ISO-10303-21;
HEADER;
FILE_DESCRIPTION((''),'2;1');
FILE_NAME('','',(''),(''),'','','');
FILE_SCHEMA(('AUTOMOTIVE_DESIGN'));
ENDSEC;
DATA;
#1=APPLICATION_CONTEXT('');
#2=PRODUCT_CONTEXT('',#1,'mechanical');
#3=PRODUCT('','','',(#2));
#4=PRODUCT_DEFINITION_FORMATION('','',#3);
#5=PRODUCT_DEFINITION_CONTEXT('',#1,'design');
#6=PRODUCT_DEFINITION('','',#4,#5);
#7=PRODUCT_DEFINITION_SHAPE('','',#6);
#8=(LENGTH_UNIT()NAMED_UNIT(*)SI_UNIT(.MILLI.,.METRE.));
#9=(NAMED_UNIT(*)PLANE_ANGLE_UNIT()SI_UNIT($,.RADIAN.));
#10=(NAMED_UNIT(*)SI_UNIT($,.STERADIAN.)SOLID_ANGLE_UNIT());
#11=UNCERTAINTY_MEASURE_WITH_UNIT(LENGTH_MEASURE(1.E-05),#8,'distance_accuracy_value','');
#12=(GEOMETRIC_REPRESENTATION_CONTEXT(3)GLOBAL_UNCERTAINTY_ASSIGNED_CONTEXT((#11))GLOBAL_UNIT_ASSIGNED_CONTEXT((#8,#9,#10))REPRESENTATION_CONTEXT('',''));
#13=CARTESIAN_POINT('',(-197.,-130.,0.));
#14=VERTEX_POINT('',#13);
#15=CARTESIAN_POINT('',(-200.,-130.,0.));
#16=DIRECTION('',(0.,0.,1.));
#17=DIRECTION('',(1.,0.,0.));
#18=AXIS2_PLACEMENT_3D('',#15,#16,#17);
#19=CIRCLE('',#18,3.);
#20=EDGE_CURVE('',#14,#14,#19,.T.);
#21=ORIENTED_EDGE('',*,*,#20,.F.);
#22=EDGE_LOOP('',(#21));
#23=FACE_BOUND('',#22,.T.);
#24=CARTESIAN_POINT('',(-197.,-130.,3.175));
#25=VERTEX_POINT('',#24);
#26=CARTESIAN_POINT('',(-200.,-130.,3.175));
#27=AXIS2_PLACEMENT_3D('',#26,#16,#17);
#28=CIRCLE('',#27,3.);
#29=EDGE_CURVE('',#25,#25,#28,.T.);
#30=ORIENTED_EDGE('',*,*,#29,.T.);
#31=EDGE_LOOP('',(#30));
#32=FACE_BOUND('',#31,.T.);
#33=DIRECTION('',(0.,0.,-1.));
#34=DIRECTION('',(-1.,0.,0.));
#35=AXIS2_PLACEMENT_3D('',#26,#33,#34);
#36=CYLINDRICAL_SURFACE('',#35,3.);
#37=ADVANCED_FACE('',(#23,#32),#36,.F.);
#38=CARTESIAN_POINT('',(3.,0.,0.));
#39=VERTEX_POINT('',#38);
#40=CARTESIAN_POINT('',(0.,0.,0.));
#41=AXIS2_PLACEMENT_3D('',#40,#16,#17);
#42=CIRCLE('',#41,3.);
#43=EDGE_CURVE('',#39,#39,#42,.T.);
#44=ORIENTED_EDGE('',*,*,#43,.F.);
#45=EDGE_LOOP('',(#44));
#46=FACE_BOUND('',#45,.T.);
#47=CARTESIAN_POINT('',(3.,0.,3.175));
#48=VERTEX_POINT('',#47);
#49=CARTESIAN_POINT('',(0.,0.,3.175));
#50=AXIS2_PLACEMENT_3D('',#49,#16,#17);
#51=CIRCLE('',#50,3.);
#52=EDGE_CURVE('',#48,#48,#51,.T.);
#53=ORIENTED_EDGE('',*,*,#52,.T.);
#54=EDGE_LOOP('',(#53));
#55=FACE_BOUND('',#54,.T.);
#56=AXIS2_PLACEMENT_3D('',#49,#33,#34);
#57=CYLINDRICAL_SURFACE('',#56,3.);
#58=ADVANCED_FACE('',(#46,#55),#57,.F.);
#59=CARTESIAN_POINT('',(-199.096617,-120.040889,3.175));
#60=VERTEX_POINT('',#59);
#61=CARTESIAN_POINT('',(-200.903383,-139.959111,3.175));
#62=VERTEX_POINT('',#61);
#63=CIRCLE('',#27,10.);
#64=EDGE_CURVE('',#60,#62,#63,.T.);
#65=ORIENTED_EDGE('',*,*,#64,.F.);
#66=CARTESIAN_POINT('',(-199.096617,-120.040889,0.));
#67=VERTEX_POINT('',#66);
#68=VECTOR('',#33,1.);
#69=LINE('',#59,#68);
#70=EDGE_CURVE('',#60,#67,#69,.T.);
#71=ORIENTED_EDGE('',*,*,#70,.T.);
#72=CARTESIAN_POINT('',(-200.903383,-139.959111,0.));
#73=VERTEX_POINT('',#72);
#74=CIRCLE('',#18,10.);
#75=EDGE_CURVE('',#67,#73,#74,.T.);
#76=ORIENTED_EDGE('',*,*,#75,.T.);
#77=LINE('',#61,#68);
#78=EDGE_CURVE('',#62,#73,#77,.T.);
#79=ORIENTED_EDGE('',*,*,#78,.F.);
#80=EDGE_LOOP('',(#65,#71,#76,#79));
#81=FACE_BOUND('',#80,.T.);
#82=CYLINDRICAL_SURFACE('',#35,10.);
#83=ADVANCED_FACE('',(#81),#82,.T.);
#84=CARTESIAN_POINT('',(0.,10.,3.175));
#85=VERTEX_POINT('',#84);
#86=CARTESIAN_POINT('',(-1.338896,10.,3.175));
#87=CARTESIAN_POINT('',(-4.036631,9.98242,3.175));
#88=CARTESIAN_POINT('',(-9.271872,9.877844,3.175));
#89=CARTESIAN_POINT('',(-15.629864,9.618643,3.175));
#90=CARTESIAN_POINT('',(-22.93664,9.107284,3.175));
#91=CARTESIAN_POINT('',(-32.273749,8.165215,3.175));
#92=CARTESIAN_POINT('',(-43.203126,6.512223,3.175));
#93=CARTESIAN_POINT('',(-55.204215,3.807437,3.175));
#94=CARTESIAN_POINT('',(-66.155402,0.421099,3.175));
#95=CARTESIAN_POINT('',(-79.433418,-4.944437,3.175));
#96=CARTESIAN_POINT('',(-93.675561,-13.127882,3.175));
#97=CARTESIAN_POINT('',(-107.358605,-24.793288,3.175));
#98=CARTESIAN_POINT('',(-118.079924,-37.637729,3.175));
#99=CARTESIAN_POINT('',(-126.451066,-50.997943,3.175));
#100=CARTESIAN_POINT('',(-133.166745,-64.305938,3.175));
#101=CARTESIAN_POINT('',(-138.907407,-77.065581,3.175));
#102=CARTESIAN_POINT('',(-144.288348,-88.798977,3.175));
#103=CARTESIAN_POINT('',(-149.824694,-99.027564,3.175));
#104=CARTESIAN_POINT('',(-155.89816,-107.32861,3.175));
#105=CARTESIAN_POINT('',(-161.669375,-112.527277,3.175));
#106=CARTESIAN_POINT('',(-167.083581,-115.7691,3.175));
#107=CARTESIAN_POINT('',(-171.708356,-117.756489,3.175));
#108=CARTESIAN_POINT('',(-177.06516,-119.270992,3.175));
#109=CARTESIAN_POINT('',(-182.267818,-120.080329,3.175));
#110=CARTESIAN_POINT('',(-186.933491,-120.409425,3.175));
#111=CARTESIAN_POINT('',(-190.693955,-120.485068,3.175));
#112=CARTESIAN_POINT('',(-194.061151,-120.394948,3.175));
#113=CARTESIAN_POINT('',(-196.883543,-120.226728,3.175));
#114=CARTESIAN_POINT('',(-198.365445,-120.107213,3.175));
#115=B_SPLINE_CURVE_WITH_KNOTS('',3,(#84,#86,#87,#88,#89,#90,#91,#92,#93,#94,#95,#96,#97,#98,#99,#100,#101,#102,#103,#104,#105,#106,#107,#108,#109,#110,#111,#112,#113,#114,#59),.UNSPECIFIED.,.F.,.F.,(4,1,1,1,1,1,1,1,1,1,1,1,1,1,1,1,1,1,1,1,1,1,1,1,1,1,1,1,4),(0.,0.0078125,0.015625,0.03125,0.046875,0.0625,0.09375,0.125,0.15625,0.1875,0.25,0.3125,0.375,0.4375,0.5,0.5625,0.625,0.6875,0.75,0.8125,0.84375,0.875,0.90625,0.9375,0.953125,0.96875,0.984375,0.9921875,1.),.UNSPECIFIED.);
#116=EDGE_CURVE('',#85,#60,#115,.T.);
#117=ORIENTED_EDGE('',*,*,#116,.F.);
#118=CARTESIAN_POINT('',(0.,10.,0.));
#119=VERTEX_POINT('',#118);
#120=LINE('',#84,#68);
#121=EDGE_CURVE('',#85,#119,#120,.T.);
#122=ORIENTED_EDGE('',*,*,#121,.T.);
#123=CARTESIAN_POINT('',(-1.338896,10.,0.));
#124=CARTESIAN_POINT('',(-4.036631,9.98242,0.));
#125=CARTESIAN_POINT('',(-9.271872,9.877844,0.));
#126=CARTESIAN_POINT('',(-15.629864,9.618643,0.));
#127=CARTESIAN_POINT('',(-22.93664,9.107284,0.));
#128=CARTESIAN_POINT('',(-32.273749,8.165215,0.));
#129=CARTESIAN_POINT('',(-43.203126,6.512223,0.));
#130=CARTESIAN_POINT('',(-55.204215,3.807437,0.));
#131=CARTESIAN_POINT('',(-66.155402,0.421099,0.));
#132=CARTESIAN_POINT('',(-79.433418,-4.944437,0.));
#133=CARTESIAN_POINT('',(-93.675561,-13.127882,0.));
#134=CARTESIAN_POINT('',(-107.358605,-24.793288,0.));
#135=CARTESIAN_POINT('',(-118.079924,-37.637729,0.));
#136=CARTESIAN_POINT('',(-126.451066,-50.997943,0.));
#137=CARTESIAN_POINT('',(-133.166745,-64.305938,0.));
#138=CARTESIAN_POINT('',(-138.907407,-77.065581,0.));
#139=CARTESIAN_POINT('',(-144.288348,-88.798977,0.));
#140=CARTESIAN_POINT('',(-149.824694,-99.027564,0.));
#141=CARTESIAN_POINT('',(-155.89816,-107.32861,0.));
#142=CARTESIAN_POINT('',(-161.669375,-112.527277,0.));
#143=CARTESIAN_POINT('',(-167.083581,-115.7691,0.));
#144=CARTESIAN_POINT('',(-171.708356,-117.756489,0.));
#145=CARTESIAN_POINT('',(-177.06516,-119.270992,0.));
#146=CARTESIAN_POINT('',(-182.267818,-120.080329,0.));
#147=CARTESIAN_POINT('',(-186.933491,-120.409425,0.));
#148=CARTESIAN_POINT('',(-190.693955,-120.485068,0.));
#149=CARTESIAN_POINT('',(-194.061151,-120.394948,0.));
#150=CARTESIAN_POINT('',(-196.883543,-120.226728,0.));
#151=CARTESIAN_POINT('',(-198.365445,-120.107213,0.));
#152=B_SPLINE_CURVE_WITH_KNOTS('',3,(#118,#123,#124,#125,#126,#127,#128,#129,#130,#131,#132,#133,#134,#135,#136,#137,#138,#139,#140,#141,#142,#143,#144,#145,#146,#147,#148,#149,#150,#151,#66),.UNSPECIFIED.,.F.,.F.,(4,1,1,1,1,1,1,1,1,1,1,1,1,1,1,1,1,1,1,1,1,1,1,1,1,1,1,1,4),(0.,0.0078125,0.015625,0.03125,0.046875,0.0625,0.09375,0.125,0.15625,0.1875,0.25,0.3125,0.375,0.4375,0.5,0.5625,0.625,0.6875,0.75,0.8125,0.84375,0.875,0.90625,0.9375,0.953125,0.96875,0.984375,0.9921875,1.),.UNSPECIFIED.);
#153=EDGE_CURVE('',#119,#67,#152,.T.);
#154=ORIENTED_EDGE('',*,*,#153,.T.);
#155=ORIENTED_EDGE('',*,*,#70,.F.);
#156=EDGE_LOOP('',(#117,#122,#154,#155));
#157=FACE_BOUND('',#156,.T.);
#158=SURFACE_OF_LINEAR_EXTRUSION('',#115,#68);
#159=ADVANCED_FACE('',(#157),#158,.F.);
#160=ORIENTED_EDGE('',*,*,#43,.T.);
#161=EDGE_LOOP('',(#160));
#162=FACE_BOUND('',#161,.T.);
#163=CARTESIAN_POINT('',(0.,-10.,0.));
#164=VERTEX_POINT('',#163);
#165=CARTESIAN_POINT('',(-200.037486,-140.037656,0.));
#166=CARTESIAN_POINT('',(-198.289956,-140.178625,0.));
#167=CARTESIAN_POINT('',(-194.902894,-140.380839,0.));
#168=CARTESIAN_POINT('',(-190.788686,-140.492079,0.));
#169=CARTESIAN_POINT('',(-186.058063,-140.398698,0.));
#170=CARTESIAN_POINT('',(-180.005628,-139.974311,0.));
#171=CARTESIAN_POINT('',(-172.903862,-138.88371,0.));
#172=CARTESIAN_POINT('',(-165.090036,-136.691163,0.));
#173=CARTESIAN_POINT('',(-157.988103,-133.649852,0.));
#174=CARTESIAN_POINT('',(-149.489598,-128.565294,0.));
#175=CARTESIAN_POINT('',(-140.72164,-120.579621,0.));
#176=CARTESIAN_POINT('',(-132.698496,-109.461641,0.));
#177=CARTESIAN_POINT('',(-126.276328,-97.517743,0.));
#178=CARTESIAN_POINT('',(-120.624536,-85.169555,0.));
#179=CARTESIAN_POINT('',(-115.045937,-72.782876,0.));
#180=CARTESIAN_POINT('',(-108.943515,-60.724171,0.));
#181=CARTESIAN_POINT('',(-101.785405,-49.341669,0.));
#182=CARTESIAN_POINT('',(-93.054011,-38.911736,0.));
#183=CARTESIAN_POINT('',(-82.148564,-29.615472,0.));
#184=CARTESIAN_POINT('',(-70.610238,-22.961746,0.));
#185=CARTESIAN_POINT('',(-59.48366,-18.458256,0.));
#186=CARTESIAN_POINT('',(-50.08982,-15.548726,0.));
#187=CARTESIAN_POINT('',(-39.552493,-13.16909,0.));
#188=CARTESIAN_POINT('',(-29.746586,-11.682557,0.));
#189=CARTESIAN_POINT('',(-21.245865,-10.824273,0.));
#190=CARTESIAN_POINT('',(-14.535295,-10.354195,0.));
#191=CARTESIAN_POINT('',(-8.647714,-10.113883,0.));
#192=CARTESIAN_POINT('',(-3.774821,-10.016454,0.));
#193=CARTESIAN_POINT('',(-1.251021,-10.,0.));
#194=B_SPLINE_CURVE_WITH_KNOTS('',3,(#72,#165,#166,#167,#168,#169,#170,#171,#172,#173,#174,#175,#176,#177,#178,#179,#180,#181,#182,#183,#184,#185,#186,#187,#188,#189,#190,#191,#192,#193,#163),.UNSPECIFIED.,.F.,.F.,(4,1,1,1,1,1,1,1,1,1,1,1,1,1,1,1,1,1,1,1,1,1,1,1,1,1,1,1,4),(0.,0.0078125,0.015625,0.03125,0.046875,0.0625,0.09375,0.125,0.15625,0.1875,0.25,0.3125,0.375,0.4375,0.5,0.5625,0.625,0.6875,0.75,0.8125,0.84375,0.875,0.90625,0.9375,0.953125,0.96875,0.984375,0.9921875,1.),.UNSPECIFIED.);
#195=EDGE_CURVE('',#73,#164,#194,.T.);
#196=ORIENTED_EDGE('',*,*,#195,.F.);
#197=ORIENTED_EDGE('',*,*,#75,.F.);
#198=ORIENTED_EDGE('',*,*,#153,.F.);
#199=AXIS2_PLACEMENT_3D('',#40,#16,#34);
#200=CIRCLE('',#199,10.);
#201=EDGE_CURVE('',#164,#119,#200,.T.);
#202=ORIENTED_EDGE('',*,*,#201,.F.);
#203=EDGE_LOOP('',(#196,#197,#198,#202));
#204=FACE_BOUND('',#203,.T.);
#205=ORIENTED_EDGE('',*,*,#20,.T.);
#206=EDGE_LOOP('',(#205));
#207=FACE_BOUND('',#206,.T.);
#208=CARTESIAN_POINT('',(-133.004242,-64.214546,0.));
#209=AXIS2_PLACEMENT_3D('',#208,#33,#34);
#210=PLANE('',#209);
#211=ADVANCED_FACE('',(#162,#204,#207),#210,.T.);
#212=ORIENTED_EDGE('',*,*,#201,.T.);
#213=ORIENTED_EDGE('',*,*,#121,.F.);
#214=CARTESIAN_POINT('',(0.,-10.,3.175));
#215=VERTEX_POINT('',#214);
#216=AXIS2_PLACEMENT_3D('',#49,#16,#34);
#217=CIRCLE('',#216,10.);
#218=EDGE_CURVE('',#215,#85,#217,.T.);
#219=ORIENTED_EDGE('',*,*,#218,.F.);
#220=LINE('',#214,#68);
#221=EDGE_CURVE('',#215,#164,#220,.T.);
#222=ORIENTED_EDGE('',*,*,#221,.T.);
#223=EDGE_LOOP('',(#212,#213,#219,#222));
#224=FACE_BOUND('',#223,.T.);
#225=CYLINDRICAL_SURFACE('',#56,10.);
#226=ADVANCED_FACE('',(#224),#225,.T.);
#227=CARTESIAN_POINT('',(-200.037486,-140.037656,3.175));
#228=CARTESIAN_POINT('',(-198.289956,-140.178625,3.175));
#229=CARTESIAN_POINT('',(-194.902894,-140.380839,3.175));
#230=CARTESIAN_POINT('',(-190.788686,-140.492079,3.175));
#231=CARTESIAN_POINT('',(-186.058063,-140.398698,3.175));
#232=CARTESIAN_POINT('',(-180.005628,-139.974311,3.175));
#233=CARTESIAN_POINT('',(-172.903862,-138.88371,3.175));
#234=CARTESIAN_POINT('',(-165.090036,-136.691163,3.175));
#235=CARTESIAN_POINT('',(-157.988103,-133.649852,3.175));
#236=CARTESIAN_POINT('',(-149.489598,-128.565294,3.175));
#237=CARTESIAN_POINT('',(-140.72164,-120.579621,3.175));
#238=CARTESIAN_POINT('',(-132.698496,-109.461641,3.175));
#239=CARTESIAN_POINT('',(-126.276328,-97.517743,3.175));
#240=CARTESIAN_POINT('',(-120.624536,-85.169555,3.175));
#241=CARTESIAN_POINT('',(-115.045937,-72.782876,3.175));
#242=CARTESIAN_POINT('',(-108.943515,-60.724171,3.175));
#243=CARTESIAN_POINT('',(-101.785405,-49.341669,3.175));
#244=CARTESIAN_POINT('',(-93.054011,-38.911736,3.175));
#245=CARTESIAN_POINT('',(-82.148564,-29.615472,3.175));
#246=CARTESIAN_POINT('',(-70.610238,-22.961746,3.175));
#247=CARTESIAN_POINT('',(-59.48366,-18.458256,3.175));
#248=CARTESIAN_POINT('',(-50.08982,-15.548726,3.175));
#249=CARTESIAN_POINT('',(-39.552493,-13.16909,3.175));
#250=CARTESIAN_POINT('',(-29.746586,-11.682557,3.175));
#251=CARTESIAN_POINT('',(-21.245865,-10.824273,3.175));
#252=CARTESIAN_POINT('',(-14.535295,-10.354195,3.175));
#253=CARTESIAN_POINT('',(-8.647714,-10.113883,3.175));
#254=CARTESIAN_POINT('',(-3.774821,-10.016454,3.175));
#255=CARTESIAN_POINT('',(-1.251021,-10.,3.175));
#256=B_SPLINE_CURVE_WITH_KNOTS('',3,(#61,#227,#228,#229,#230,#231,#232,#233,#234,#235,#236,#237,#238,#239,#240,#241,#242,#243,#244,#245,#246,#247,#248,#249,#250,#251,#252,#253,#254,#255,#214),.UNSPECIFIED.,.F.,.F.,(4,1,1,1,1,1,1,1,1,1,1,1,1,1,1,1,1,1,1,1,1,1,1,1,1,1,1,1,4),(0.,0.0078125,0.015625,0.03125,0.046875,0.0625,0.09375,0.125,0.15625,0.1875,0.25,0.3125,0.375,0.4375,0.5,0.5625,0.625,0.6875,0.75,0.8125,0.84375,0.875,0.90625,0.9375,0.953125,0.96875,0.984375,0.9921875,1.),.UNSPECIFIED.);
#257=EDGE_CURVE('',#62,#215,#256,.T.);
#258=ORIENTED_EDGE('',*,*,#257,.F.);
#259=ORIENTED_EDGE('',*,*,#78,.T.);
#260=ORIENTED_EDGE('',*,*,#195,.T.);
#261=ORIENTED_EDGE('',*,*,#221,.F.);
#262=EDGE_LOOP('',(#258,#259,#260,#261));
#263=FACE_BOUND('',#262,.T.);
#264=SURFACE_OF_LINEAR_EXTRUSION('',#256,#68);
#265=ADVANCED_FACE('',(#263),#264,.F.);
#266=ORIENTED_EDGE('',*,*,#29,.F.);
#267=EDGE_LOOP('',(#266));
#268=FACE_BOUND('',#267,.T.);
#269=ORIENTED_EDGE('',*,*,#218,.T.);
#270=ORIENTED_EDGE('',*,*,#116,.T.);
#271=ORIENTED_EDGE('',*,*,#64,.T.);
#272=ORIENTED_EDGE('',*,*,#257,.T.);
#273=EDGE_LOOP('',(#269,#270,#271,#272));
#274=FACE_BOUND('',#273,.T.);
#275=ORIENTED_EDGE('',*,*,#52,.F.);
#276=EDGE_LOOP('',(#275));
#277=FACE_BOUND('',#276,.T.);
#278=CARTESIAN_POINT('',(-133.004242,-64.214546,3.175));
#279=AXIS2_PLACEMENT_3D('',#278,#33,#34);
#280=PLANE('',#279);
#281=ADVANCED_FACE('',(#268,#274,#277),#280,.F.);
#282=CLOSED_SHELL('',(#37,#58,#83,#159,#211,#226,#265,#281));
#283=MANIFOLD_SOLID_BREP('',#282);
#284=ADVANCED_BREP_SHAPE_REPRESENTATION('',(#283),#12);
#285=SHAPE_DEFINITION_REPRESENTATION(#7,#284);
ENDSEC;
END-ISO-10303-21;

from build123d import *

# Parameters (mm, degrees)
SKETCH2_R           = 3
BOSS_EXTRUDE1_DEPTH = 3.175


with BuildPart() as part:
    # Sketch2 → Boss-Extrude1 (new body)
    with BuildSketch(Plane.XY):
        with BuildLine():
            ThreePointArc((0, 10), (10, 0), (0, -10))
            add(Edge.make_bspline(
                [(0, -10), (-1.251020864, -10), (-3.774820805, -10.016454286), (-8.647714228, -10.113882577), (-14.535295335, -10.354194809), (-21.245865223, -10.824273004), (-29.746585805, -11.682556581), (-39.552493021, -13.169090017), (-50.089820276, -15.548726183), (-59.483660199, -18.458255584), (-70.610237991, -22.961745838), (-82.148564476, -29.615471875), (-93.054010705, -38.911736434), (-101.785405177, -49.341668998), (-108.943514578, -60.724171124), (-115.045937004, -72.782876008), (-120.624536438, -85.169554655), (-126.276327656, -97.517742627), (-132.698495585, -109.461640853), (-140.721639832, -120.579621109), (-149.489597914, -128.565293962), (-157.988102873, -133.649852232), (-165.090036196, -136.691162647), (-172.903862455, -138.88370963), (-180.005628003, -139.974310929), (-186.058063141, -140.398698048), (-190.788685764, -140.492078653), (-194.902893505, -140.380838582), (-198.289956322, -140.178624717), (-200.037485643, -140.037656252), (-200.903383383, -139.959111329)],
                knots=[0, 0, 0, 0, 0.0078125, 0.015625, 0.03125, 0.046875, 0.0625, 0.09375, 0.125, 0.15625, 0.1875, 0.25, 0.3125, 0.375, 0.4375, 0.5, 0.5625, 0.625, 0.6875, 0.75, 0.8125, 0.84375, 0.875, 0.90625, 0.9375, 0.953125, 0.96875, 0.984375, 0.9921875, 1, 1, 1, 1], degree=3))
            ThreePointArc((-200.903383383, -139.959111329), (-209.959111329, -129.096616617), (-199.096616617, -120.040888671))
            add(Edge.make_bspline(
                [(0, 10), (-1.338896135, 10), (-4.036631282, 9.982420404), (-9.271872007, 9.877844261), (-15.629863548, 9.618642545), (-22.936639656, 9.107283685), (-32.273749385, 8.165214939), (-43.203125935, 6.512222832), (-55.204214548, 3.807437165), (-66.155402215, 0.421098599), (-79.433418064, -4.944436555), (-93.675561018, -13.127882389), (-107.358604539, -24.79328789), (-118.079923605, -37.63772884), (-126.451066369, -50.997943321), (-133.166744909, -64.305937773), (-138.9074066, -77.065580836), (-144.288347953, -88.798976567), (-149.824694436, -99.027563746), (-155.898160469, -107.328609975), (-161.669374507, -112.527277269), (-167.083581014, -115.769099962), (-171.708355928, -117.756489287), (-177.065159674, -119.270992126), (-182.267818177, -120.080328974), (-186.933490647, -120.409425438), (-190.69395485, -120.485068399), (-194.061150572, -120.394947781), (-196.883542888, -120.226727877), (-198.36544529, -120.107212664), (-199.096616617, -120.040888671)],
                knots=[0, 0, 0, 0, 0.0078125, 0.015625, 0.03125, 0.046875, 0.0625, 0.09375, 0.125, 0.15625, 0.1875, 0.25, 0.3125, 0.375, 0.4375, 0.5, 0.5625, 0.625, 0.6875, 0.75, 0.8125, 0.84375, 0.875, 0.90625, 0.9375, 0.953125, 0.96875, 0.984375, 0.9921875, 1, 1, 1, 1], degree=3))
        make_face()
        Circle(SKETCH2_R, mode=Mode.SUBTRACT)
        with Locations((-200, -130)):
            Circle(SKETCH2_R, mode=Mode.SUBTRACT)
    extrude(amount=BOSS_EXTRUDE1_DEPTH)


solid = part.part
